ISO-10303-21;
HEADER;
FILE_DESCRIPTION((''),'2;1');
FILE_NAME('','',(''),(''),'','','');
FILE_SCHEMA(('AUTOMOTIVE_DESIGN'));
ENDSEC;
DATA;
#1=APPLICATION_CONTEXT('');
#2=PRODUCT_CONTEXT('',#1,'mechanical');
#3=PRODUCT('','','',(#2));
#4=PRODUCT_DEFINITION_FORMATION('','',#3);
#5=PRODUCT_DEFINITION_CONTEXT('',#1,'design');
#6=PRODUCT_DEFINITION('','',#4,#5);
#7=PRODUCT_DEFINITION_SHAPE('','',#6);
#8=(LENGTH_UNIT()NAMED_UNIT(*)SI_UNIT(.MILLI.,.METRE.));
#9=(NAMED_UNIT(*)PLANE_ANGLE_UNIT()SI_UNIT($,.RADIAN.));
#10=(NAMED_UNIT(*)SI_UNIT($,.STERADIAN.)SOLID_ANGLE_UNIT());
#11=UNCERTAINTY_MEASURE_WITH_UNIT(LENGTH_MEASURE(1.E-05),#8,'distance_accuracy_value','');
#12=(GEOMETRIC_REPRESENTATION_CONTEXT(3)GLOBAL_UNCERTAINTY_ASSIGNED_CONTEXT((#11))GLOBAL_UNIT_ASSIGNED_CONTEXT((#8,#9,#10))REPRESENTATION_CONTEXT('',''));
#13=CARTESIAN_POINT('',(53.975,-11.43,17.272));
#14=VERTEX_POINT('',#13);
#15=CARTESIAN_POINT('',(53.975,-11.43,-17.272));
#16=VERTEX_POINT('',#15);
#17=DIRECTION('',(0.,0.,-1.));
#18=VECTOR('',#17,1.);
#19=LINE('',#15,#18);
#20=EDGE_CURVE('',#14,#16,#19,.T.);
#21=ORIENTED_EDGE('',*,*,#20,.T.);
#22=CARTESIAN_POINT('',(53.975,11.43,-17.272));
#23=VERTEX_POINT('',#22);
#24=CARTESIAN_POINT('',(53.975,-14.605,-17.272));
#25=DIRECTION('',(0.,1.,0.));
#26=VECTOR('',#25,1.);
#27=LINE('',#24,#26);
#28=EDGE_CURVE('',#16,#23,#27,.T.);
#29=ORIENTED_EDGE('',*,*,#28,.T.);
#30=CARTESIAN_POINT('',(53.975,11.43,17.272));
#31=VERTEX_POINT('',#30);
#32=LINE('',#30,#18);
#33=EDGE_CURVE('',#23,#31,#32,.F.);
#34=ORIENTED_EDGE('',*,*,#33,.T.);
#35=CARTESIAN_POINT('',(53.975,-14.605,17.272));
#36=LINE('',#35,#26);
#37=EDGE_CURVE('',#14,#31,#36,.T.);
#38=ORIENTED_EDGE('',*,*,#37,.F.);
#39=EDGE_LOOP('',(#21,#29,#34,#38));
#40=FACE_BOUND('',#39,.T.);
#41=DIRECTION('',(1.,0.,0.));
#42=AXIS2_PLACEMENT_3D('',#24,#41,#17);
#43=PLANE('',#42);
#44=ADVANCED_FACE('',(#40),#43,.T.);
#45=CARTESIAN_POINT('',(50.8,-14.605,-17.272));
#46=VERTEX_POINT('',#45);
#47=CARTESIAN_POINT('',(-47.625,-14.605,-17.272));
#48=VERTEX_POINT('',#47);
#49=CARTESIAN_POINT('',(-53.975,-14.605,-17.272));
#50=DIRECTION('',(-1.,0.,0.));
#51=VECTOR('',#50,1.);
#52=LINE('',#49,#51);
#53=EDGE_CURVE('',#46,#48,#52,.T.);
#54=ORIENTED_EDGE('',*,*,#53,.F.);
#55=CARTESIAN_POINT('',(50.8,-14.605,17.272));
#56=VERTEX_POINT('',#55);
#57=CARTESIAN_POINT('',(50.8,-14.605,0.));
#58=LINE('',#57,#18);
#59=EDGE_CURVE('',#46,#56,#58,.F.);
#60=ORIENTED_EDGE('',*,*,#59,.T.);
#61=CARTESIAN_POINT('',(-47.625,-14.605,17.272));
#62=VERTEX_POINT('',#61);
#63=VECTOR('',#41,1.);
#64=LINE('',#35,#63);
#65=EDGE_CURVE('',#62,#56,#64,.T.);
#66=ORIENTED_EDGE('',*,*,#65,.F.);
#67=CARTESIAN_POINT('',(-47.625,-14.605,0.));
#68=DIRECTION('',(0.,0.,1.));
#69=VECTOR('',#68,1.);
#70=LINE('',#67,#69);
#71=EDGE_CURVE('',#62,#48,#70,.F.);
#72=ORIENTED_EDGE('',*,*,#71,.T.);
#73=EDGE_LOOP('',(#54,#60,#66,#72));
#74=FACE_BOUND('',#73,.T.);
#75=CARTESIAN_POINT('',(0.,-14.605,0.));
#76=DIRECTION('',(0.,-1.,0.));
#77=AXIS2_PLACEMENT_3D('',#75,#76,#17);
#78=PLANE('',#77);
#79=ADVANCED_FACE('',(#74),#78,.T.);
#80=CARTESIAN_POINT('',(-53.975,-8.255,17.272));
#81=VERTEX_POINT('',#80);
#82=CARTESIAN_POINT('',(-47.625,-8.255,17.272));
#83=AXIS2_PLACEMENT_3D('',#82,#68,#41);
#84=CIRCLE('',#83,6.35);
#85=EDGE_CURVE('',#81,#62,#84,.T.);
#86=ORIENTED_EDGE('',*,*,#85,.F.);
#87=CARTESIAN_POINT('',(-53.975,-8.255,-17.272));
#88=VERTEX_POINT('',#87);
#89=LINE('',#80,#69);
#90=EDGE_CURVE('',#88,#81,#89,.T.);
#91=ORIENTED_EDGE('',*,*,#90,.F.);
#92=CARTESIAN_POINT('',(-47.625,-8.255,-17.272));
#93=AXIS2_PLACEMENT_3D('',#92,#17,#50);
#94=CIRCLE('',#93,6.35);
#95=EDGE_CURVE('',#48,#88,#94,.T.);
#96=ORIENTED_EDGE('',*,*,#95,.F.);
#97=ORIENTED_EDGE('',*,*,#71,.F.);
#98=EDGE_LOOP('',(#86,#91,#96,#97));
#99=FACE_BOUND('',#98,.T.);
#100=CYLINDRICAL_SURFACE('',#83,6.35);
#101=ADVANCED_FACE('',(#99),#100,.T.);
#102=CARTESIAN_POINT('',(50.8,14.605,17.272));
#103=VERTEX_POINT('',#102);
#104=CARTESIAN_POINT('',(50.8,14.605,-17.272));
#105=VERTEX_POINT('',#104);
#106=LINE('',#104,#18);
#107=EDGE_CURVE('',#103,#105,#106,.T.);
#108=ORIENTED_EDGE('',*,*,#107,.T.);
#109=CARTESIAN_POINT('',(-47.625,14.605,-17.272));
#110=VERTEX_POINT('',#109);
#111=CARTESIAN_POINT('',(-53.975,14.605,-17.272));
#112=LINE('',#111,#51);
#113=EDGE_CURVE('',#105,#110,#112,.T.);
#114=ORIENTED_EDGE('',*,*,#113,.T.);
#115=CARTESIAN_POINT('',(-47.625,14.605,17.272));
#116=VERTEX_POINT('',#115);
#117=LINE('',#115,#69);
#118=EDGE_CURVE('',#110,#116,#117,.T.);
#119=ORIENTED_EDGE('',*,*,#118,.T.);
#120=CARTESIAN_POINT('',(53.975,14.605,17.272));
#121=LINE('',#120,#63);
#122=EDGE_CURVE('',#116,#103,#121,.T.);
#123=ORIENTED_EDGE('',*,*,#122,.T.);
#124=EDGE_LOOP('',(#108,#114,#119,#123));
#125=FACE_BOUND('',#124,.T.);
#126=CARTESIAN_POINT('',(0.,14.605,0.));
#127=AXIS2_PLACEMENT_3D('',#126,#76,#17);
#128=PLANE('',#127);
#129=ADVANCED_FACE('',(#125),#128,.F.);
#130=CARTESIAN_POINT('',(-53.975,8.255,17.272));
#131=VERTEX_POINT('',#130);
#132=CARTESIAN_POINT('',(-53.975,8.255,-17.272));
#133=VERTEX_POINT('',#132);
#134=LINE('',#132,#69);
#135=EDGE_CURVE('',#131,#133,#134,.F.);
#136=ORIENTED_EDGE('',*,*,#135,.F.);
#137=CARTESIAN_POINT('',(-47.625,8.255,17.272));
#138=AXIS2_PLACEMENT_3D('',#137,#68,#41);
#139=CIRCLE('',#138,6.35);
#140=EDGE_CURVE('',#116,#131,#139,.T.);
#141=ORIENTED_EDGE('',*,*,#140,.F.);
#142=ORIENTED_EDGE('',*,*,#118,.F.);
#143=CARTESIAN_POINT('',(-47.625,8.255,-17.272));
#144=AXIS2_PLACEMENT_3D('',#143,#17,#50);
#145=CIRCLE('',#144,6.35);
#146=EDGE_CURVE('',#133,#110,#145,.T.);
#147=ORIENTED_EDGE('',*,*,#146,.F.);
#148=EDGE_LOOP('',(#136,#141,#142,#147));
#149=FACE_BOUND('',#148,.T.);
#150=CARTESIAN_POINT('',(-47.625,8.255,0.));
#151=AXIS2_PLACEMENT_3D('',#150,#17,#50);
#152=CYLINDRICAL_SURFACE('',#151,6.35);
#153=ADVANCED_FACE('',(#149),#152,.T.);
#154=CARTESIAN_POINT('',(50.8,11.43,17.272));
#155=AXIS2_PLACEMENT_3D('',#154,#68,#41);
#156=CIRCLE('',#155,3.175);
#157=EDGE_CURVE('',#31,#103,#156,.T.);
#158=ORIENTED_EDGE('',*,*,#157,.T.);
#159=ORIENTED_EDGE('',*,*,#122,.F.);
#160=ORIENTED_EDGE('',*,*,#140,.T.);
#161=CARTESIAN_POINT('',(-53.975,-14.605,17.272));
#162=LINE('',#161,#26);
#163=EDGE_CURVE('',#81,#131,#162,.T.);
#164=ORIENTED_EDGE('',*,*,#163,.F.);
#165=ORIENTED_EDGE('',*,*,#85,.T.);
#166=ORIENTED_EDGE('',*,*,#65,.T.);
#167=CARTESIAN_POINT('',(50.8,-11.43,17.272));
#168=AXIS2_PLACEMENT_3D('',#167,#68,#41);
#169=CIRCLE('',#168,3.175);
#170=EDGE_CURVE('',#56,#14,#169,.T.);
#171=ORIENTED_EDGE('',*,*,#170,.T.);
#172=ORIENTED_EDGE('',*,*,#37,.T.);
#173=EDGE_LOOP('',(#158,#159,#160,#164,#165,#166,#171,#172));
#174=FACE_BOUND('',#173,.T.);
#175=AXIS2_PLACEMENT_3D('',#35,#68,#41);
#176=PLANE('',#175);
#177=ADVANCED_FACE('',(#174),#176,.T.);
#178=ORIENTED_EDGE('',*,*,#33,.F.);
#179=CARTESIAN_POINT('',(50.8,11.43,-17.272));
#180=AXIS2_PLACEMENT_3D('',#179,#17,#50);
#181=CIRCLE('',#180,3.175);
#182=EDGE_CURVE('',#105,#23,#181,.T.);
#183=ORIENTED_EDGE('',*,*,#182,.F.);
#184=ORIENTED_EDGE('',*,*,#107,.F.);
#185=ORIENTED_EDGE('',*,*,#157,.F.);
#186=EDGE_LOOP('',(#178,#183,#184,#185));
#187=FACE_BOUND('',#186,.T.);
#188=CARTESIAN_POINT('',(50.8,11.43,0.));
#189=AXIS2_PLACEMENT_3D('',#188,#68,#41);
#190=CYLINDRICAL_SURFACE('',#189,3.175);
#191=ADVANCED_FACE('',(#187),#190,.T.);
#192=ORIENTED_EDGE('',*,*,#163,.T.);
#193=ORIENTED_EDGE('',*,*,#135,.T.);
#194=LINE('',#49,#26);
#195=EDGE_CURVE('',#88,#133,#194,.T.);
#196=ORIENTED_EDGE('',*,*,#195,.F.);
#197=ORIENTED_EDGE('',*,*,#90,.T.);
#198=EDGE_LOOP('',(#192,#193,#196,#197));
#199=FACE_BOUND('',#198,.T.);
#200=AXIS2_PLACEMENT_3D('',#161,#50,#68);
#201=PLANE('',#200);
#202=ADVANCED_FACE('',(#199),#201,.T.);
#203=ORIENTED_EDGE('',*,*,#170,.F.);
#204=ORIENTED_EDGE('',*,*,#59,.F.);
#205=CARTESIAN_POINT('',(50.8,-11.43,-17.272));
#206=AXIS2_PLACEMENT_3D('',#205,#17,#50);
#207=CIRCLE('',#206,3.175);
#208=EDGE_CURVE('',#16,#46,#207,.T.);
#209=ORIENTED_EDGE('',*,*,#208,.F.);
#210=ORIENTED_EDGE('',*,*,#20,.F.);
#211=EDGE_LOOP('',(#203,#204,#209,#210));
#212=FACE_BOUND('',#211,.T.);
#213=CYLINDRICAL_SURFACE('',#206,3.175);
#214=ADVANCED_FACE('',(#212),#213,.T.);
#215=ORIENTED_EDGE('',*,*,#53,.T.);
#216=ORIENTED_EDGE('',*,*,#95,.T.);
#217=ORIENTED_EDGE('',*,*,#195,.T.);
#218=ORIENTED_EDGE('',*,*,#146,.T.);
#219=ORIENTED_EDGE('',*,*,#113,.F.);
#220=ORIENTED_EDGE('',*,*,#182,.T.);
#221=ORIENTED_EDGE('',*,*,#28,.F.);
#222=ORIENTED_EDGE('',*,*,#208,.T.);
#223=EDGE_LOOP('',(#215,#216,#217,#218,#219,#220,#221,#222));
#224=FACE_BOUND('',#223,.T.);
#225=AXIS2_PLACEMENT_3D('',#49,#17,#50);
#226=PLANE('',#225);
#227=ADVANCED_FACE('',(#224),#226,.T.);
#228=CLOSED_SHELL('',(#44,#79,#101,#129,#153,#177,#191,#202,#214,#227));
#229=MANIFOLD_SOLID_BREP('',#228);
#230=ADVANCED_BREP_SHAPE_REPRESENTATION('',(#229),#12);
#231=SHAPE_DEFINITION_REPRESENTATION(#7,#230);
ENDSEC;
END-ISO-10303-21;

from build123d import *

# Parameters (mm, degrees)
BOSS_EXTRUDE1_DEPTH      = 14.605
BOSS_EXTRUDE1_DEPTH_BACK = 14.605
SKETCH1_W                = 107.95
SKETCH1_H                = 34.544
FILLET1_R                = 3.175
FILLET2_R                = 6.35


with BuildPart() as part:
    # Sketch1 → Boss-Extrude1 (new, two sides: drawn at the far end of the back side and taken through both)
    with BuildSketch(Plane(origin=(0, 0, 0), x_dir=(1, 0, 0), z_dir=(0, 1, 0)).offset(-BOSS_EXTRUDE1_DEPTH_BACK)):
        Rectangle(SKETCH1_W, SKETCH1_H)
    extrude(amount=BOSS_EXTRUDE1_DEPTH + BOSS_EXTRUDE1_DEPTH_BACK)

    # Fillet1
    fillet1_edges = [part.edges().sort_by_distance(p)[0] for p in [
        (53.975, -14.605, 0),
        (53.975, 14.605, 0),
    ]]
    fillet(fillet1_edges, radius=FILLET1_R)

    # Fillet2
    fillet2_edges = [part.edges().sort_by_distance(p)[0] for p in [
        (-53.975, 14.605, 0),
        (-53.975, -14.605, 0),
    ]]
    fillet(fillet2_edges, radius=FILLET2_R)


solid = part.part
